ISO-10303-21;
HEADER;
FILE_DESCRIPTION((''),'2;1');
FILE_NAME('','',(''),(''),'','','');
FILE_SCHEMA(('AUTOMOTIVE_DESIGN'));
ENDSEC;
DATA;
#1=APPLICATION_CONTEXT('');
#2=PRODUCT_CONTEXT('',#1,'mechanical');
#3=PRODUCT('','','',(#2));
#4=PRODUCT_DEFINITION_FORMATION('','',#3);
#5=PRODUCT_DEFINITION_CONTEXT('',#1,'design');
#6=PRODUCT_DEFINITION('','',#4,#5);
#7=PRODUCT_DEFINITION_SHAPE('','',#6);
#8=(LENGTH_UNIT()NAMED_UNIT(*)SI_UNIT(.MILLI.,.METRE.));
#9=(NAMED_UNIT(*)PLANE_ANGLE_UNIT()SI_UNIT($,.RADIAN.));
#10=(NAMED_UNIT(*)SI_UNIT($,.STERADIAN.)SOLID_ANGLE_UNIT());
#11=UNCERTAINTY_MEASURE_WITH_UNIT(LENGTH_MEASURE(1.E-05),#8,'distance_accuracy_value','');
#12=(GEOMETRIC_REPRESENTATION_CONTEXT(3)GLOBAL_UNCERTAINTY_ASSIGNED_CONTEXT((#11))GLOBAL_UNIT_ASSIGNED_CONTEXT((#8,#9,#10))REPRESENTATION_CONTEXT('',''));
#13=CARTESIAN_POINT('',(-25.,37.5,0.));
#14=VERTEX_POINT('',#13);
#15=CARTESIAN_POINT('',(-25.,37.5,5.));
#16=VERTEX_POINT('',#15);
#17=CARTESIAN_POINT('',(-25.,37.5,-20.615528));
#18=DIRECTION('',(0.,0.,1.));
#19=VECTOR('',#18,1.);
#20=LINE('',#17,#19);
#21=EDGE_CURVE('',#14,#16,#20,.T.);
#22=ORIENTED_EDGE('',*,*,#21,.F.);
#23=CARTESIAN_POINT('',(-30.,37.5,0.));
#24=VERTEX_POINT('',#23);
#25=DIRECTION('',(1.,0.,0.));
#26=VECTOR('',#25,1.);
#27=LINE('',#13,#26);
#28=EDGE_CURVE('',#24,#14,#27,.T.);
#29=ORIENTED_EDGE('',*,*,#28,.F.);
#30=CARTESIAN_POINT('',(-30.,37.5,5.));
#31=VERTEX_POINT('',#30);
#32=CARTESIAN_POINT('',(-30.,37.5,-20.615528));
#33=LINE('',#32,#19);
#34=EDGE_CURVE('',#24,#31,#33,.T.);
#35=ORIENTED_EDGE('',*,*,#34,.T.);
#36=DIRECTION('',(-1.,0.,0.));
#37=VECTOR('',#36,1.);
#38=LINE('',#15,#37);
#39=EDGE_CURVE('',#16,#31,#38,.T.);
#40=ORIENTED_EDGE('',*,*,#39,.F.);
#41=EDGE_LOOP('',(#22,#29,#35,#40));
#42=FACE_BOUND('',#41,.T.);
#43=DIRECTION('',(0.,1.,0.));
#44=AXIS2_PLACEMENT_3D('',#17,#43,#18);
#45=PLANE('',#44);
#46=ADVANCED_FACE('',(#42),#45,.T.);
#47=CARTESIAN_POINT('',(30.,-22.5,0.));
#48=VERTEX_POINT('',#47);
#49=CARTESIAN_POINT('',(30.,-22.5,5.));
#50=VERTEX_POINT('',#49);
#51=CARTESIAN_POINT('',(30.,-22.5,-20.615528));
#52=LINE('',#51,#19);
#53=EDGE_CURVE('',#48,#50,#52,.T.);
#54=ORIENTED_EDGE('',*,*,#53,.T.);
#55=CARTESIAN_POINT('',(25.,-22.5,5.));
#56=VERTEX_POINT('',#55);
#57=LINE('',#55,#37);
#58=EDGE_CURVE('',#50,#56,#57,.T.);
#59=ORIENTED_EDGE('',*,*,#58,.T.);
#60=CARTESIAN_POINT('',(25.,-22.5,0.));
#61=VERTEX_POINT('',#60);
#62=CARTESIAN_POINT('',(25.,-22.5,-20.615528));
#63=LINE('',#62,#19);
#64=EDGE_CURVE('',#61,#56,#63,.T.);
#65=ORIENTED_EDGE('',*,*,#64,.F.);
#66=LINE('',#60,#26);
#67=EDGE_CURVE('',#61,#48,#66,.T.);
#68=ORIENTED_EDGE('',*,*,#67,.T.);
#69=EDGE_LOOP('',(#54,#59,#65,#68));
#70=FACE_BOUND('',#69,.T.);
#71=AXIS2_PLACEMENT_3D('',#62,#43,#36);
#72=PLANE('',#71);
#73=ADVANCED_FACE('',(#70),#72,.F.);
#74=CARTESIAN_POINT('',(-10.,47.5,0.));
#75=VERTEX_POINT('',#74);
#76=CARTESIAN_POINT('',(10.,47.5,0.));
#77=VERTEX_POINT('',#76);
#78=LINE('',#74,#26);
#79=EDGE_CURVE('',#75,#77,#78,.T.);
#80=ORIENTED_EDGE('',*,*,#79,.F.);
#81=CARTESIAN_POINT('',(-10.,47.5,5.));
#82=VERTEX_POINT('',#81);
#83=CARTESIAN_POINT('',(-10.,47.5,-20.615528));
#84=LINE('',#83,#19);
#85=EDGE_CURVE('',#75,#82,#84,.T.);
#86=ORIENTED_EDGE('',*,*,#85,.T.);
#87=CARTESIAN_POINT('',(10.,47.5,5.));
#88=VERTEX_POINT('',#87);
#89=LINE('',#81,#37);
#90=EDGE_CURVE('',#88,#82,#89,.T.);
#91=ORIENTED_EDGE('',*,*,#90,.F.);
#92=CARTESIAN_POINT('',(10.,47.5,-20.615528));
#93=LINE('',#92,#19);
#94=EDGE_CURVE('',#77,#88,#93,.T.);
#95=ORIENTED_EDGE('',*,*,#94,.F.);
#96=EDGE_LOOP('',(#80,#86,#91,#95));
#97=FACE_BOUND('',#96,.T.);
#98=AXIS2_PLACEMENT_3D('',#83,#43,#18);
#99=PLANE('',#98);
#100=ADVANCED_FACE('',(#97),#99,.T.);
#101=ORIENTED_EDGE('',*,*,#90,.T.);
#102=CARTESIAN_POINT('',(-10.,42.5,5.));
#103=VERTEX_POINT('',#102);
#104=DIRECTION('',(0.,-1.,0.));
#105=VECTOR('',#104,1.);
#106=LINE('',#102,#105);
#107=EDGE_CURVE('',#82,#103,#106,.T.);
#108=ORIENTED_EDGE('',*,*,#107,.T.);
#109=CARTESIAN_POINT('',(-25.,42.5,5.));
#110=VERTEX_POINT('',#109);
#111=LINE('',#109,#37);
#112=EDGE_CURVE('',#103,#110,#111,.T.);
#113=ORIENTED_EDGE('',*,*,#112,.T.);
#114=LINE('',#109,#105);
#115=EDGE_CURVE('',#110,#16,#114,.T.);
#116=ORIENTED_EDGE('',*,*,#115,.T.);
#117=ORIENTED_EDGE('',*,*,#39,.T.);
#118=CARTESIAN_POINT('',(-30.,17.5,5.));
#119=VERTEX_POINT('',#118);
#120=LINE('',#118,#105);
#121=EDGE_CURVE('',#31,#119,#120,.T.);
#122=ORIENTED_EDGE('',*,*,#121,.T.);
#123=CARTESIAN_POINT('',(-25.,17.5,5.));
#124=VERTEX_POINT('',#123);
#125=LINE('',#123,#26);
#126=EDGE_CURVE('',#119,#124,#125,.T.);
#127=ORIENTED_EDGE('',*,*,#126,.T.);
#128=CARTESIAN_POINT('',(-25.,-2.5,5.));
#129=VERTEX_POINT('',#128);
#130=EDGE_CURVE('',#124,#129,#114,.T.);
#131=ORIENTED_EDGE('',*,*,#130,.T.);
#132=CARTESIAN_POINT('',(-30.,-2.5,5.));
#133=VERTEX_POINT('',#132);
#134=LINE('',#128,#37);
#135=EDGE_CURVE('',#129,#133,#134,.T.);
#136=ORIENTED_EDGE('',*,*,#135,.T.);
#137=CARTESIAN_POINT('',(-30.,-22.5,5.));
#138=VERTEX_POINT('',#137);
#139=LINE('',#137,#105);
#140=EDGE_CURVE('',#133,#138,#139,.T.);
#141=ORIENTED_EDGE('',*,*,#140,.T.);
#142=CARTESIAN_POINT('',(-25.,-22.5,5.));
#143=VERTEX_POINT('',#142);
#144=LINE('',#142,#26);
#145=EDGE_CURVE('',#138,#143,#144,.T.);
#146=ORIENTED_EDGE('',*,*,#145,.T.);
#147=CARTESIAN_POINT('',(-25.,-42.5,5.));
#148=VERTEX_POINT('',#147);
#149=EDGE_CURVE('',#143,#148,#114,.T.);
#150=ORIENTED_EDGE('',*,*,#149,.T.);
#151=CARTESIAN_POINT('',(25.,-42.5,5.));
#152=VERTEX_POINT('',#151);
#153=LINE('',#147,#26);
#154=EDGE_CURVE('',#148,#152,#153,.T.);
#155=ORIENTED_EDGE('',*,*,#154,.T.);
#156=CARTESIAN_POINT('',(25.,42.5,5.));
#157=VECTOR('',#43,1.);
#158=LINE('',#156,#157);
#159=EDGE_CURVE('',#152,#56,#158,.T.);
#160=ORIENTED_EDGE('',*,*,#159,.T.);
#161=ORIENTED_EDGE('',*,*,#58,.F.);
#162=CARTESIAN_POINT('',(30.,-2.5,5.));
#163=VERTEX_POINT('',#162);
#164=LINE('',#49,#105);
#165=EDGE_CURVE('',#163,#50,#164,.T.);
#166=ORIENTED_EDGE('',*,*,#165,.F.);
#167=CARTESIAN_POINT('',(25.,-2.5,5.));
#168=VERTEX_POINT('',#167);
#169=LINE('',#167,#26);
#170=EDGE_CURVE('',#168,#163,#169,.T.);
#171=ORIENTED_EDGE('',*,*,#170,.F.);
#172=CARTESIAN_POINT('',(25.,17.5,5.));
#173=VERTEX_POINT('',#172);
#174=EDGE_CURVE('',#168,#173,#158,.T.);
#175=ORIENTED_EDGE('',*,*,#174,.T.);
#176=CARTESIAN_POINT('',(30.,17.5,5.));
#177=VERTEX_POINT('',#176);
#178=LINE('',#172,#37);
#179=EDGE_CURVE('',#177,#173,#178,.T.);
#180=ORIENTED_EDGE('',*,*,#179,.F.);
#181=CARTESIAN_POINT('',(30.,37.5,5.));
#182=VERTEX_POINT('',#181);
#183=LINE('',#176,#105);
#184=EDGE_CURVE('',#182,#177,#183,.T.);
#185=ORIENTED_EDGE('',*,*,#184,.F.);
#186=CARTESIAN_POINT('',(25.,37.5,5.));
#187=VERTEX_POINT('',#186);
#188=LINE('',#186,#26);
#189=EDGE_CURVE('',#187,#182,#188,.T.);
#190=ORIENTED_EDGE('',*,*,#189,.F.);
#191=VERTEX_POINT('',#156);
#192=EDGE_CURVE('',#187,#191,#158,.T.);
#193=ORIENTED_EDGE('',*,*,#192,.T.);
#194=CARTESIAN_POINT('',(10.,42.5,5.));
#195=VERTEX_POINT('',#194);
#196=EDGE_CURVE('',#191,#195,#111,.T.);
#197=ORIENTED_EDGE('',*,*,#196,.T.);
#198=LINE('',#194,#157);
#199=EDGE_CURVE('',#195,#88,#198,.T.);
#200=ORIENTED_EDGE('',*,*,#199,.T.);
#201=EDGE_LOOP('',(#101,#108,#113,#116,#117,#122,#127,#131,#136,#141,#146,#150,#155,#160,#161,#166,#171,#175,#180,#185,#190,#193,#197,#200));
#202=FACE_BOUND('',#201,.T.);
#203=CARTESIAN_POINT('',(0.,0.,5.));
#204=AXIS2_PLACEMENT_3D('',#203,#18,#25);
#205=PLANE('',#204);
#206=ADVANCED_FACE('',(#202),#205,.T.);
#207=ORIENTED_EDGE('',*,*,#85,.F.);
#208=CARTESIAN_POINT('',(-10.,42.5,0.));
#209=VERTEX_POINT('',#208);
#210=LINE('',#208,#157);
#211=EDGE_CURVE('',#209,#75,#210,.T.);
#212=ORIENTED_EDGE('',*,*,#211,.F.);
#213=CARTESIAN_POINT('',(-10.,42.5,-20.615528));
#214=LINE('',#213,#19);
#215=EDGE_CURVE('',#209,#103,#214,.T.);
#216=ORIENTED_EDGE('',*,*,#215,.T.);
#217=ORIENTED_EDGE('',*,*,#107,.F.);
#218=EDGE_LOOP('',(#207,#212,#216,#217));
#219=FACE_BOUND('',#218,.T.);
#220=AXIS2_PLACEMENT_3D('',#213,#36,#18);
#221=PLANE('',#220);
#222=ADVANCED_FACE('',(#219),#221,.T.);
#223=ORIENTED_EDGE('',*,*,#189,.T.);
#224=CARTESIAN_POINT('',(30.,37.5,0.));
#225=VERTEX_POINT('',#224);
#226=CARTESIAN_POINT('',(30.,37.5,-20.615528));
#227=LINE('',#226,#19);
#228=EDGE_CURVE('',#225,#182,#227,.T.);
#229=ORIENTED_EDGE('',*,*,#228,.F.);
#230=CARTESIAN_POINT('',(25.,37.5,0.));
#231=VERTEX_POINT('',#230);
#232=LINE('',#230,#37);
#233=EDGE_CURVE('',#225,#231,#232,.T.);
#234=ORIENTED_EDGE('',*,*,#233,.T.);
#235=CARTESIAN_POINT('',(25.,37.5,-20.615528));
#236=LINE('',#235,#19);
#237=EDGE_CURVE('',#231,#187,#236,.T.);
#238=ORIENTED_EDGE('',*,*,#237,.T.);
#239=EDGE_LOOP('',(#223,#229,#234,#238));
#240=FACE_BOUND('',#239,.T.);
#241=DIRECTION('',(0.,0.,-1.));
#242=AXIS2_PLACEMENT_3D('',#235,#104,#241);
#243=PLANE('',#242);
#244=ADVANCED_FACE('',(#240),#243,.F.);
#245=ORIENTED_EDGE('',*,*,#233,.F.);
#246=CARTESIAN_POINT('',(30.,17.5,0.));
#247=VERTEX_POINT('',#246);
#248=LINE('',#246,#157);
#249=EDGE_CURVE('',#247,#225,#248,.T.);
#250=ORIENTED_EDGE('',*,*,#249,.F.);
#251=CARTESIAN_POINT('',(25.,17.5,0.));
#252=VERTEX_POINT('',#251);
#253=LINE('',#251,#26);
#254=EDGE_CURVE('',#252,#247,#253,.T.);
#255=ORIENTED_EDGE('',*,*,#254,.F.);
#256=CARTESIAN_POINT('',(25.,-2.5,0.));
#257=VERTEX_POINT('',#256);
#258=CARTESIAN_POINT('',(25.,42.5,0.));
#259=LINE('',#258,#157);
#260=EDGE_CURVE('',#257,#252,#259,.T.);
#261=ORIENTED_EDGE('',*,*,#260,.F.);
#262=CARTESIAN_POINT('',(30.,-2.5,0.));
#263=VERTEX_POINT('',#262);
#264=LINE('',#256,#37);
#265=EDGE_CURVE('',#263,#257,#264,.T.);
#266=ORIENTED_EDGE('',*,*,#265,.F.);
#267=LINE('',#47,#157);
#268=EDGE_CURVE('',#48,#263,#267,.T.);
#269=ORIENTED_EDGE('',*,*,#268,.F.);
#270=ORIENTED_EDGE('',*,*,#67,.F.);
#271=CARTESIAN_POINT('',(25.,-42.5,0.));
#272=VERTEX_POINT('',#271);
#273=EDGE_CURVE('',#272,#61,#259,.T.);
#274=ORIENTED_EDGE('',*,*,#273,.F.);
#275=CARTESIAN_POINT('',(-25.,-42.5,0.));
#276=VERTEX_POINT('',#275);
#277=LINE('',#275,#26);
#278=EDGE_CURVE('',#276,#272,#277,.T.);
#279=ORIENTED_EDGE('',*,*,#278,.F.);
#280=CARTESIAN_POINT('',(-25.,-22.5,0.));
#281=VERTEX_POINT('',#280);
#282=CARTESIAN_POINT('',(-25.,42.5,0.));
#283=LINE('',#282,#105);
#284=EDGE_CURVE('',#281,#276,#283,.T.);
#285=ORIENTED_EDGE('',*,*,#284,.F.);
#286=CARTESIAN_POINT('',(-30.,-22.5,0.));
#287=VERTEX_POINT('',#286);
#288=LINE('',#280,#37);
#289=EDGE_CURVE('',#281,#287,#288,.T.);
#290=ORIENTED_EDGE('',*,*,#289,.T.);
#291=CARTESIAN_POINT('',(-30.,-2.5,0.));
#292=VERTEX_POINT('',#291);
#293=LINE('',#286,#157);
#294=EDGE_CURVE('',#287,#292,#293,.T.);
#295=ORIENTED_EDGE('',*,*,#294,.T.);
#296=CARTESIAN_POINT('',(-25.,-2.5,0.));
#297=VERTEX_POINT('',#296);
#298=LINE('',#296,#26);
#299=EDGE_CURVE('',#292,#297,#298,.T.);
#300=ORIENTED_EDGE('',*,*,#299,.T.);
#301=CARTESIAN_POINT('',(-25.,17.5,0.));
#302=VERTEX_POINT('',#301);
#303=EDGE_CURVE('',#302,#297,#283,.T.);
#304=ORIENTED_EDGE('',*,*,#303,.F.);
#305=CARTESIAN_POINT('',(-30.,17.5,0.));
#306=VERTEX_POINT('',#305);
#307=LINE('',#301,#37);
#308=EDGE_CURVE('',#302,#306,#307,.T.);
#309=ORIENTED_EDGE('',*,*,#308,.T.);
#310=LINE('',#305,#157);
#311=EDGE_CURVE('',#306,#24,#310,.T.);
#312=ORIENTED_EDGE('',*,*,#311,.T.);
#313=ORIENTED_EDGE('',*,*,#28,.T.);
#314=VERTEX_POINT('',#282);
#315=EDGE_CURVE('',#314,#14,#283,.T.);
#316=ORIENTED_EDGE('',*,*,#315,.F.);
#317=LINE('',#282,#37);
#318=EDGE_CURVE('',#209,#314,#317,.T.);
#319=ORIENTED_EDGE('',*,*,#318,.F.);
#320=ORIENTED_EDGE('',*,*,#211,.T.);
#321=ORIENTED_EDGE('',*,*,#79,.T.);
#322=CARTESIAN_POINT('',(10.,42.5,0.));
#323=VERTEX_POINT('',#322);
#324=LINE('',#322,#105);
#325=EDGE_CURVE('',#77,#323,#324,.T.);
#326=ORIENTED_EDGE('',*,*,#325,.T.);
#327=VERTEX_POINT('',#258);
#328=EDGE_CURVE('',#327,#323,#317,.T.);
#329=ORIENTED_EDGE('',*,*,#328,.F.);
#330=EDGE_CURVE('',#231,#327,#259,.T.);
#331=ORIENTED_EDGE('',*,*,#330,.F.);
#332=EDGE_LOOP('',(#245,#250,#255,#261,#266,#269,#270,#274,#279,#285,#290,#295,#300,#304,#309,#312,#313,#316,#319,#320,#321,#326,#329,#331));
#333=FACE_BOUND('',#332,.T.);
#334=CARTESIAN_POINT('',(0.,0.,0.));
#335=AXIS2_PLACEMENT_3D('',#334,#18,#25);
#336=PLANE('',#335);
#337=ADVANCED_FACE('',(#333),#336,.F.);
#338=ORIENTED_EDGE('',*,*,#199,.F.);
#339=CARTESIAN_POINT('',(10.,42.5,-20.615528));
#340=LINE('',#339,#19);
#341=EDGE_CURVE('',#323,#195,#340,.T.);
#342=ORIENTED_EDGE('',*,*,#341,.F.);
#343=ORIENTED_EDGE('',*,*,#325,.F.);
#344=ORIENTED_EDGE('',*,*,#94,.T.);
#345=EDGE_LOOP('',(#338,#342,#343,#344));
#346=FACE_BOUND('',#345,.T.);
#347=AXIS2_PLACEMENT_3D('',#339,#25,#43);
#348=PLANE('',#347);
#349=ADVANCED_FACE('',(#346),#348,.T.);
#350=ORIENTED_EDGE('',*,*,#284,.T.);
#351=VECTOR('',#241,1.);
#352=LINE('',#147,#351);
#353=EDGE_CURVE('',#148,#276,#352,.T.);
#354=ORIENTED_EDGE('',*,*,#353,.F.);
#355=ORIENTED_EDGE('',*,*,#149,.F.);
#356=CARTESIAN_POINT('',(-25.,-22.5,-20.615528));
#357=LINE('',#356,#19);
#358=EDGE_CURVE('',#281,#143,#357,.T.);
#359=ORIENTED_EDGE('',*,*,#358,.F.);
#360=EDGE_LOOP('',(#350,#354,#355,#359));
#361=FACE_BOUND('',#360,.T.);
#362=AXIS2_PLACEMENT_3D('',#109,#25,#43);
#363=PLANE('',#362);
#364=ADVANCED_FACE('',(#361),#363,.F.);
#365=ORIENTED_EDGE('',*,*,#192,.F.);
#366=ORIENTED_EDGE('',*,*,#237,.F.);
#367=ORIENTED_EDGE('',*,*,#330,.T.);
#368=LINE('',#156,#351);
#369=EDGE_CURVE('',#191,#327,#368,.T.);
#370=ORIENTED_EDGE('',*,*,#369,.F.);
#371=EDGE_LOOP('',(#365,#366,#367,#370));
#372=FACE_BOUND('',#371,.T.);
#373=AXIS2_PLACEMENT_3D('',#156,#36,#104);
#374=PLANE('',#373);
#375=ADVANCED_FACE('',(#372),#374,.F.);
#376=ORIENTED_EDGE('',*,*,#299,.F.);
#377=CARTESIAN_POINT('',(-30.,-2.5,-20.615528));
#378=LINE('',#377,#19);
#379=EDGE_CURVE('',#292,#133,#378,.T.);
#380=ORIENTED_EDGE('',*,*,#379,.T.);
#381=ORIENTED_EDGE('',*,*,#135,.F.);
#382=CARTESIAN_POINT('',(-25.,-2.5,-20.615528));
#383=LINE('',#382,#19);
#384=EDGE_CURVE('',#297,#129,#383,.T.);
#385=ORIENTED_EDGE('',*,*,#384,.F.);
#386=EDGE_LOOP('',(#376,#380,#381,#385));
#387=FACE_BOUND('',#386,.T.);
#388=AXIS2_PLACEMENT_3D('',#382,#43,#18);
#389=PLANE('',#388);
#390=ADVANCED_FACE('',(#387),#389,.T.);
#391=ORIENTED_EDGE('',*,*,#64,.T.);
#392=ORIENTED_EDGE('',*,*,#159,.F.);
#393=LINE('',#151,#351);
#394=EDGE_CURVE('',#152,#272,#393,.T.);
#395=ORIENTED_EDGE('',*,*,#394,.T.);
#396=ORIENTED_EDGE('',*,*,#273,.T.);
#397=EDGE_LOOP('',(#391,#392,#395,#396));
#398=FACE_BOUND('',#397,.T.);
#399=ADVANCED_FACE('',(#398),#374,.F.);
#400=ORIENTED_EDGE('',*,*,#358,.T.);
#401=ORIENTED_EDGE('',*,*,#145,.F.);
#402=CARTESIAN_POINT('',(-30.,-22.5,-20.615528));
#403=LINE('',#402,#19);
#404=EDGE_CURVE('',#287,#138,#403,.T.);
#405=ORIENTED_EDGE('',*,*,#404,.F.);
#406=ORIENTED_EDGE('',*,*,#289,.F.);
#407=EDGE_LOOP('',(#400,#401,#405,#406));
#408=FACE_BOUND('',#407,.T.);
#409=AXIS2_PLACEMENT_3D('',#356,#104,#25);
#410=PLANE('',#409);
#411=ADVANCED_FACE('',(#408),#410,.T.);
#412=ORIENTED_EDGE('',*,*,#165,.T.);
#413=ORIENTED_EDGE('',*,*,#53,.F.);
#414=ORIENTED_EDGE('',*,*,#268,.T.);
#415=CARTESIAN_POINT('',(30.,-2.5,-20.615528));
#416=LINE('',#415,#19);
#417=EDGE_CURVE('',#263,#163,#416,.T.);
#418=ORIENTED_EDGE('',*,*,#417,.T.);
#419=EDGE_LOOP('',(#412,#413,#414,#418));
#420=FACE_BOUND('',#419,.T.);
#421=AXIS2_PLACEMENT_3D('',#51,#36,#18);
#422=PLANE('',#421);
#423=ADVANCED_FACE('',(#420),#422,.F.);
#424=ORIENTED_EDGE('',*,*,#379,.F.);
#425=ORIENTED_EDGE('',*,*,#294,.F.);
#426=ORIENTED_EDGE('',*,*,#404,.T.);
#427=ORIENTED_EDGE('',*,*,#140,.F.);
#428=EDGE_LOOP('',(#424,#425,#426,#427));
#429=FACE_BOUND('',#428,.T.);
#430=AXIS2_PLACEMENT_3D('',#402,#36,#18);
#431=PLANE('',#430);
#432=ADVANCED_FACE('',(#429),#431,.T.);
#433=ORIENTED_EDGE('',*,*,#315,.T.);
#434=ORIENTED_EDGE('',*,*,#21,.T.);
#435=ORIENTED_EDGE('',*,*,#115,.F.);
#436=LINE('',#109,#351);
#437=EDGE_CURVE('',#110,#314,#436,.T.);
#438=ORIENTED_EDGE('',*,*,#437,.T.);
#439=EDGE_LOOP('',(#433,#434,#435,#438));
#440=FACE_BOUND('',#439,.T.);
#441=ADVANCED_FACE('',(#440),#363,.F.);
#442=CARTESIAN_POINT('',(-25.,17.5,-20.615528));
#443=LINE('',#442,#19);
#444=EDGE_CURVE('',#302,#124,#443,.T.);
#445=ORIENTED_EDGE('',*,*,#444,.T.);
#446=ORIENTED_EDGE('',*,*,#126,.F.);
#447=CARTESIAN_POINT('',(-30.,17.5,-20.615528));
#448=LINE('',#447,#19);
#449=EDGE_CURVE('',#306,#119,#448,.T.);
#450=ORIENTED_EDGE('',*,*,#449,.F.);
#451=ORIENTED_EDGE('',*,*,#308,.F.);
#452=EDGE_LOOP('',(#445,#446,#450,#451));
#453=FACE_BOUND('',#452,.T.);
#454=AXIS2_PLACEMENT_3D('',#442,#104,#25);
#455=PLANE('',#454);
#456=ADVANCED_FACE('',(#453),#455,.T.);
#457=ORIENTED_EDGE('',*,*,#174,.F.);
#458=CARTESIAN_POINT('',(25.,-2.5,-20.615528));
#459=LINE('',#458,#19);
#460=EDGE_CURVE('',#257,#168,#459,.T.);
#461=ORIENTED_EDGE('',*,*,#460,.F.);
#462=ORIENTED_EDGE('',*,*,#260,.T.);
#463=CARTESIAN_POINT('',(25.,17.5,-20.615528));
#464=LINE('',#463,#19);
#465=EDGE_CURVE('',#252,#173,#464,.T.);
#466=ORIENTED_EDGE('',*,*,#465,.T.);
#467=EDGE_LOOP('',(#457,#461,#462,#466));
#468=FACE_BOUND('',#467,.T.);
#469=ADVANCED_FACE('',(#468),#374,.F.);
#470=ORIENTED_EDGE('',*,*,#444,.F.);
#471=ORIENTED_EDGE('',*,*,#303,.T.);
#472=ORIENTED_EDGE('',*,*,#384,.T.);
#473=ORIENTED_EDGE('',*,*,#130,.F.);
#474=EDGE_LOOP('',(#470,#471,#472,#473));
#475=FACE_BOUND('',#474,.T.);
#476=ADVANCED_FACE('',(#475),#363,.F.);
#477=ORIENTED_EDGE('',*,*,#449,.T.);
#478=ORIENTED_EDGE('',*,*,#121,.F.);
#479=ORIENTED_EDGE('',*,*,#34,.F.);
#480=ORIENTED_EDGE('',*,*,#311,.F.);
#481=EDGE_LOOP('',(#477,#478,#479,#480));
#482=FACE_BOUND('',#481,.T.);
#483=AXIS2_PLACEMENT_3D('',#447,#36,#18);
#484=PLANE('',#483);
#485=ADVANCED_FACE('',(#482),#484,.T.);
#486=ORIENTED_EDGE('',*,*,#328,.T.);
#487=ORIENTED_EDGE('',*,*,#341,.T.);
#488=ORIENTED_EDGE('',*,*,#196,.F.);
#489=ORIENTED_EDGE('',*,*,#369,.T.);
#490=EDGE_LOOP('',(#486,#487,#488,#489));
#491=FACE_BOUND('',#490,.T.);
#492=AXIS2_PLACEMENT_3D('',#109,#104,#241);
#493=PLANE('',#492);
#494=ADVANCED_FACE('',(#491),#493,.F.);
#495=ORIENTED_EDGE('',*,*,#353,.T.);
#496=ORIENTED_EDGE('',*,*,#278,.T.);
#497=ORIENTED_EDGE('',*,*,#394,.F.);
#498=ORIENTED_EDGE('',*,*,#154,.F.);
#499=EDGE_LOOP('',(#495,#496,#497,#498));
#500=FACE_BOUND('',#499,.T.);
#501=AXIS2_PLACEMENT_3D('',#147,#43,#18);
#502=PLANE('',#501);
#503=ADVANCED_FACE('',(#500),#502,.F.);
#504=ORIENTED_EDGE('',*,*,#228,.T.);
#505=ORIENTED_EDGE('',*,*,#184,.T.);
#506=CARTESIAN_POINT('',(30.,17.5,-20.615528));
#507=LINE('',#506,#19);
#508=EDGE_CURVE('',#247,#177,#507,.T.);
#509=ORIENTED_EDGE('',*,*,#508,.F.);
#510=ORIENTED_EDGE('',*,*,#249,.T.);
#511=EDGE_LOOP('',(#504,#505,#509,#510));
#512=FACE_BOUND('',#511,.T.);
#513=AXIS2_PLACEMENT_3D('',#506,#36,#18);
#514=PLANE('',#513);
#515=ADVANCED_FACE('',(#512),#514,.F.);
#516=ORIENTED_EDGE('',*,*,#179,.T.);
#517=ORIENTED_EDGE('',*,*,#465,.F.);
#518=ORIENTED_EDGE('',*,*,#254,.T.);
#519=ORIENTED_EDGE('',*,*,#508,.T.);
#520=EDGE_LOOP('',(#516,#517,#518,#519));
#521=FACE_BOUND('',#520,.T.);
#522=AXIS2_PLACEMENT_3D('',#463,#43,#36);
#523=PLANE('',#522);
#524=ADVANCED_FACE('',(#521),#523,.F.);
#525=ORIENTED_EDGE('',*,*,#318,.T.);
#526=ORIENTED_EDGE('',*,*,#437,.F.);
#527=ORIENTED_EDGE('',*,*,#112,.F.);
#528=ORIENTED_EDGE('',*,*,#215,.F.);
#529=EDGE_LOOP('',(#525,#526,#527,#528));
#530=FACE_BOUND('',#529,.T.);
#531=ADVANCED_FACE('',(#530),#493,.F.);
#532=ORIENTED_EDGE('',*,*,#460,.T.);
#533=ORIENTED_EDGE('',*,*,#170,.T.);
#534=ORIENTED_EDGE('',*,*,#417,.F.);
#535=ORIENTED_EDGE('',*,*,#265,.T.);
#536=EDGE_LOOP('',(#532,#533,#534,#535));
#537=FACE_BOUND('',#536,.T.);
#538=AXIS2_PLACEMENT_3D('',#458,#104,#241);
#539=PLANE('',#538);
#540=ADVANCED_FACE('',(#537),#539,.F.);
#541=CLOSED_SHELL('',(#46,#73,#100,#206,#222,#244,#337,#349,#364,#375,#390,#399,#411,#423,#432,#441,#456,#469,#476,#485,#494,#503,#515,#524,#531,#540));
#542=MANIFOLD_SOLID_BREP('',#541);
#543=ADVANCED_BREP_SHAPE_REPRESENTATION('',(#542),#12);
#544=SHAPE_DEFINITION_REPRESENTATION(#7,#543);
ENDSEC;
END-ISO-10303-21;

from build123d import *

# Parameters (mm, degrees)
SKETCH_1_W               = 50
SKETCH_1_H               = 85
EXTRUDE_1_DEPTH          = 5
SKETCH_2_W               = 5
SKETCH_2_H               = 20
EXTRUDE_2_DEPTH          = 5
PATTERN_LINEAR_1_COUNT   = 2
PATTERN_LINEAR_1_PITCH   = 40
MIRROR_1_COPY_1_SKETCH_W = 5
MIRROR_1_COPY_1_SKETCH_H = 20
MIRROR_1_COPY_1_DEPTH    = 5
SKETCH_4_W               = 20
SKETCH_4_H               = 5
EXTRUDE_3_DEPTH          = 5


with BuildPart() as part:
    # 스케치1 → 보스-돌출1 (new body)
    with BuildSketch(Plane.XY):
        Rectangle(SKETCH_1_W, SKETCH_1_H)
    extrude(amount=EXTRUDE_1_DEPTH)

    # 스케치2 → 보스-돌출2 (add)
    with BuildSketch(Plane.XY.offset(5)):
        with Locations((-27.5, -12.5)):
            Rectangle(SKETCH_2_W, SKETCH_2_H)
    extrude_2 = extrude(amount=-EXTRUDE_2_DEPTH)

    # 선형 패턴1: 보스-돌출2 ×2
    with Locations(*[(0, i * PATTERN_LINEAR_1_PITCH, 0) for i in range(1, PATTERN_LINEAR_1_COUNT)]):
        add(extrude_2)

    # 대칭 복사1: 보스-돌출2 across plane
    add(extrude_2.mirror(Plane(origin=(0, 0, 0), x_dir=(0, 0, 1), z_dir=(1, 0, 0))))

    # 대칭 복사1 copy 1 sketch → 대칭 복사1 copy 1 (add)
    with BuildSketch(Plane(origin=(0, 40, 5), x_dir=(-1, 0, 0), z_dir=(0, 0, 1))):
        with Locations((-27.5, 12.5)):
            Rectangle(MIRROR_1_COPY_1_SKETCH_W, MIRROR_1_COPY_1_SKETCH_H)
    extrude(amount=-MIRROR_1_COPY_1_DEPTH)

    # 스케치4 → 보스-돌출3 (add)
    with BuildSketch(Plane.XY.offset(5)):
        with Locations((0, 45)):
            Rectangle(SKETCH_4_W, SKETCH_4_H)
    extrude(amount=-EXTRUDE_3_DEPTH)


solid = part.part
